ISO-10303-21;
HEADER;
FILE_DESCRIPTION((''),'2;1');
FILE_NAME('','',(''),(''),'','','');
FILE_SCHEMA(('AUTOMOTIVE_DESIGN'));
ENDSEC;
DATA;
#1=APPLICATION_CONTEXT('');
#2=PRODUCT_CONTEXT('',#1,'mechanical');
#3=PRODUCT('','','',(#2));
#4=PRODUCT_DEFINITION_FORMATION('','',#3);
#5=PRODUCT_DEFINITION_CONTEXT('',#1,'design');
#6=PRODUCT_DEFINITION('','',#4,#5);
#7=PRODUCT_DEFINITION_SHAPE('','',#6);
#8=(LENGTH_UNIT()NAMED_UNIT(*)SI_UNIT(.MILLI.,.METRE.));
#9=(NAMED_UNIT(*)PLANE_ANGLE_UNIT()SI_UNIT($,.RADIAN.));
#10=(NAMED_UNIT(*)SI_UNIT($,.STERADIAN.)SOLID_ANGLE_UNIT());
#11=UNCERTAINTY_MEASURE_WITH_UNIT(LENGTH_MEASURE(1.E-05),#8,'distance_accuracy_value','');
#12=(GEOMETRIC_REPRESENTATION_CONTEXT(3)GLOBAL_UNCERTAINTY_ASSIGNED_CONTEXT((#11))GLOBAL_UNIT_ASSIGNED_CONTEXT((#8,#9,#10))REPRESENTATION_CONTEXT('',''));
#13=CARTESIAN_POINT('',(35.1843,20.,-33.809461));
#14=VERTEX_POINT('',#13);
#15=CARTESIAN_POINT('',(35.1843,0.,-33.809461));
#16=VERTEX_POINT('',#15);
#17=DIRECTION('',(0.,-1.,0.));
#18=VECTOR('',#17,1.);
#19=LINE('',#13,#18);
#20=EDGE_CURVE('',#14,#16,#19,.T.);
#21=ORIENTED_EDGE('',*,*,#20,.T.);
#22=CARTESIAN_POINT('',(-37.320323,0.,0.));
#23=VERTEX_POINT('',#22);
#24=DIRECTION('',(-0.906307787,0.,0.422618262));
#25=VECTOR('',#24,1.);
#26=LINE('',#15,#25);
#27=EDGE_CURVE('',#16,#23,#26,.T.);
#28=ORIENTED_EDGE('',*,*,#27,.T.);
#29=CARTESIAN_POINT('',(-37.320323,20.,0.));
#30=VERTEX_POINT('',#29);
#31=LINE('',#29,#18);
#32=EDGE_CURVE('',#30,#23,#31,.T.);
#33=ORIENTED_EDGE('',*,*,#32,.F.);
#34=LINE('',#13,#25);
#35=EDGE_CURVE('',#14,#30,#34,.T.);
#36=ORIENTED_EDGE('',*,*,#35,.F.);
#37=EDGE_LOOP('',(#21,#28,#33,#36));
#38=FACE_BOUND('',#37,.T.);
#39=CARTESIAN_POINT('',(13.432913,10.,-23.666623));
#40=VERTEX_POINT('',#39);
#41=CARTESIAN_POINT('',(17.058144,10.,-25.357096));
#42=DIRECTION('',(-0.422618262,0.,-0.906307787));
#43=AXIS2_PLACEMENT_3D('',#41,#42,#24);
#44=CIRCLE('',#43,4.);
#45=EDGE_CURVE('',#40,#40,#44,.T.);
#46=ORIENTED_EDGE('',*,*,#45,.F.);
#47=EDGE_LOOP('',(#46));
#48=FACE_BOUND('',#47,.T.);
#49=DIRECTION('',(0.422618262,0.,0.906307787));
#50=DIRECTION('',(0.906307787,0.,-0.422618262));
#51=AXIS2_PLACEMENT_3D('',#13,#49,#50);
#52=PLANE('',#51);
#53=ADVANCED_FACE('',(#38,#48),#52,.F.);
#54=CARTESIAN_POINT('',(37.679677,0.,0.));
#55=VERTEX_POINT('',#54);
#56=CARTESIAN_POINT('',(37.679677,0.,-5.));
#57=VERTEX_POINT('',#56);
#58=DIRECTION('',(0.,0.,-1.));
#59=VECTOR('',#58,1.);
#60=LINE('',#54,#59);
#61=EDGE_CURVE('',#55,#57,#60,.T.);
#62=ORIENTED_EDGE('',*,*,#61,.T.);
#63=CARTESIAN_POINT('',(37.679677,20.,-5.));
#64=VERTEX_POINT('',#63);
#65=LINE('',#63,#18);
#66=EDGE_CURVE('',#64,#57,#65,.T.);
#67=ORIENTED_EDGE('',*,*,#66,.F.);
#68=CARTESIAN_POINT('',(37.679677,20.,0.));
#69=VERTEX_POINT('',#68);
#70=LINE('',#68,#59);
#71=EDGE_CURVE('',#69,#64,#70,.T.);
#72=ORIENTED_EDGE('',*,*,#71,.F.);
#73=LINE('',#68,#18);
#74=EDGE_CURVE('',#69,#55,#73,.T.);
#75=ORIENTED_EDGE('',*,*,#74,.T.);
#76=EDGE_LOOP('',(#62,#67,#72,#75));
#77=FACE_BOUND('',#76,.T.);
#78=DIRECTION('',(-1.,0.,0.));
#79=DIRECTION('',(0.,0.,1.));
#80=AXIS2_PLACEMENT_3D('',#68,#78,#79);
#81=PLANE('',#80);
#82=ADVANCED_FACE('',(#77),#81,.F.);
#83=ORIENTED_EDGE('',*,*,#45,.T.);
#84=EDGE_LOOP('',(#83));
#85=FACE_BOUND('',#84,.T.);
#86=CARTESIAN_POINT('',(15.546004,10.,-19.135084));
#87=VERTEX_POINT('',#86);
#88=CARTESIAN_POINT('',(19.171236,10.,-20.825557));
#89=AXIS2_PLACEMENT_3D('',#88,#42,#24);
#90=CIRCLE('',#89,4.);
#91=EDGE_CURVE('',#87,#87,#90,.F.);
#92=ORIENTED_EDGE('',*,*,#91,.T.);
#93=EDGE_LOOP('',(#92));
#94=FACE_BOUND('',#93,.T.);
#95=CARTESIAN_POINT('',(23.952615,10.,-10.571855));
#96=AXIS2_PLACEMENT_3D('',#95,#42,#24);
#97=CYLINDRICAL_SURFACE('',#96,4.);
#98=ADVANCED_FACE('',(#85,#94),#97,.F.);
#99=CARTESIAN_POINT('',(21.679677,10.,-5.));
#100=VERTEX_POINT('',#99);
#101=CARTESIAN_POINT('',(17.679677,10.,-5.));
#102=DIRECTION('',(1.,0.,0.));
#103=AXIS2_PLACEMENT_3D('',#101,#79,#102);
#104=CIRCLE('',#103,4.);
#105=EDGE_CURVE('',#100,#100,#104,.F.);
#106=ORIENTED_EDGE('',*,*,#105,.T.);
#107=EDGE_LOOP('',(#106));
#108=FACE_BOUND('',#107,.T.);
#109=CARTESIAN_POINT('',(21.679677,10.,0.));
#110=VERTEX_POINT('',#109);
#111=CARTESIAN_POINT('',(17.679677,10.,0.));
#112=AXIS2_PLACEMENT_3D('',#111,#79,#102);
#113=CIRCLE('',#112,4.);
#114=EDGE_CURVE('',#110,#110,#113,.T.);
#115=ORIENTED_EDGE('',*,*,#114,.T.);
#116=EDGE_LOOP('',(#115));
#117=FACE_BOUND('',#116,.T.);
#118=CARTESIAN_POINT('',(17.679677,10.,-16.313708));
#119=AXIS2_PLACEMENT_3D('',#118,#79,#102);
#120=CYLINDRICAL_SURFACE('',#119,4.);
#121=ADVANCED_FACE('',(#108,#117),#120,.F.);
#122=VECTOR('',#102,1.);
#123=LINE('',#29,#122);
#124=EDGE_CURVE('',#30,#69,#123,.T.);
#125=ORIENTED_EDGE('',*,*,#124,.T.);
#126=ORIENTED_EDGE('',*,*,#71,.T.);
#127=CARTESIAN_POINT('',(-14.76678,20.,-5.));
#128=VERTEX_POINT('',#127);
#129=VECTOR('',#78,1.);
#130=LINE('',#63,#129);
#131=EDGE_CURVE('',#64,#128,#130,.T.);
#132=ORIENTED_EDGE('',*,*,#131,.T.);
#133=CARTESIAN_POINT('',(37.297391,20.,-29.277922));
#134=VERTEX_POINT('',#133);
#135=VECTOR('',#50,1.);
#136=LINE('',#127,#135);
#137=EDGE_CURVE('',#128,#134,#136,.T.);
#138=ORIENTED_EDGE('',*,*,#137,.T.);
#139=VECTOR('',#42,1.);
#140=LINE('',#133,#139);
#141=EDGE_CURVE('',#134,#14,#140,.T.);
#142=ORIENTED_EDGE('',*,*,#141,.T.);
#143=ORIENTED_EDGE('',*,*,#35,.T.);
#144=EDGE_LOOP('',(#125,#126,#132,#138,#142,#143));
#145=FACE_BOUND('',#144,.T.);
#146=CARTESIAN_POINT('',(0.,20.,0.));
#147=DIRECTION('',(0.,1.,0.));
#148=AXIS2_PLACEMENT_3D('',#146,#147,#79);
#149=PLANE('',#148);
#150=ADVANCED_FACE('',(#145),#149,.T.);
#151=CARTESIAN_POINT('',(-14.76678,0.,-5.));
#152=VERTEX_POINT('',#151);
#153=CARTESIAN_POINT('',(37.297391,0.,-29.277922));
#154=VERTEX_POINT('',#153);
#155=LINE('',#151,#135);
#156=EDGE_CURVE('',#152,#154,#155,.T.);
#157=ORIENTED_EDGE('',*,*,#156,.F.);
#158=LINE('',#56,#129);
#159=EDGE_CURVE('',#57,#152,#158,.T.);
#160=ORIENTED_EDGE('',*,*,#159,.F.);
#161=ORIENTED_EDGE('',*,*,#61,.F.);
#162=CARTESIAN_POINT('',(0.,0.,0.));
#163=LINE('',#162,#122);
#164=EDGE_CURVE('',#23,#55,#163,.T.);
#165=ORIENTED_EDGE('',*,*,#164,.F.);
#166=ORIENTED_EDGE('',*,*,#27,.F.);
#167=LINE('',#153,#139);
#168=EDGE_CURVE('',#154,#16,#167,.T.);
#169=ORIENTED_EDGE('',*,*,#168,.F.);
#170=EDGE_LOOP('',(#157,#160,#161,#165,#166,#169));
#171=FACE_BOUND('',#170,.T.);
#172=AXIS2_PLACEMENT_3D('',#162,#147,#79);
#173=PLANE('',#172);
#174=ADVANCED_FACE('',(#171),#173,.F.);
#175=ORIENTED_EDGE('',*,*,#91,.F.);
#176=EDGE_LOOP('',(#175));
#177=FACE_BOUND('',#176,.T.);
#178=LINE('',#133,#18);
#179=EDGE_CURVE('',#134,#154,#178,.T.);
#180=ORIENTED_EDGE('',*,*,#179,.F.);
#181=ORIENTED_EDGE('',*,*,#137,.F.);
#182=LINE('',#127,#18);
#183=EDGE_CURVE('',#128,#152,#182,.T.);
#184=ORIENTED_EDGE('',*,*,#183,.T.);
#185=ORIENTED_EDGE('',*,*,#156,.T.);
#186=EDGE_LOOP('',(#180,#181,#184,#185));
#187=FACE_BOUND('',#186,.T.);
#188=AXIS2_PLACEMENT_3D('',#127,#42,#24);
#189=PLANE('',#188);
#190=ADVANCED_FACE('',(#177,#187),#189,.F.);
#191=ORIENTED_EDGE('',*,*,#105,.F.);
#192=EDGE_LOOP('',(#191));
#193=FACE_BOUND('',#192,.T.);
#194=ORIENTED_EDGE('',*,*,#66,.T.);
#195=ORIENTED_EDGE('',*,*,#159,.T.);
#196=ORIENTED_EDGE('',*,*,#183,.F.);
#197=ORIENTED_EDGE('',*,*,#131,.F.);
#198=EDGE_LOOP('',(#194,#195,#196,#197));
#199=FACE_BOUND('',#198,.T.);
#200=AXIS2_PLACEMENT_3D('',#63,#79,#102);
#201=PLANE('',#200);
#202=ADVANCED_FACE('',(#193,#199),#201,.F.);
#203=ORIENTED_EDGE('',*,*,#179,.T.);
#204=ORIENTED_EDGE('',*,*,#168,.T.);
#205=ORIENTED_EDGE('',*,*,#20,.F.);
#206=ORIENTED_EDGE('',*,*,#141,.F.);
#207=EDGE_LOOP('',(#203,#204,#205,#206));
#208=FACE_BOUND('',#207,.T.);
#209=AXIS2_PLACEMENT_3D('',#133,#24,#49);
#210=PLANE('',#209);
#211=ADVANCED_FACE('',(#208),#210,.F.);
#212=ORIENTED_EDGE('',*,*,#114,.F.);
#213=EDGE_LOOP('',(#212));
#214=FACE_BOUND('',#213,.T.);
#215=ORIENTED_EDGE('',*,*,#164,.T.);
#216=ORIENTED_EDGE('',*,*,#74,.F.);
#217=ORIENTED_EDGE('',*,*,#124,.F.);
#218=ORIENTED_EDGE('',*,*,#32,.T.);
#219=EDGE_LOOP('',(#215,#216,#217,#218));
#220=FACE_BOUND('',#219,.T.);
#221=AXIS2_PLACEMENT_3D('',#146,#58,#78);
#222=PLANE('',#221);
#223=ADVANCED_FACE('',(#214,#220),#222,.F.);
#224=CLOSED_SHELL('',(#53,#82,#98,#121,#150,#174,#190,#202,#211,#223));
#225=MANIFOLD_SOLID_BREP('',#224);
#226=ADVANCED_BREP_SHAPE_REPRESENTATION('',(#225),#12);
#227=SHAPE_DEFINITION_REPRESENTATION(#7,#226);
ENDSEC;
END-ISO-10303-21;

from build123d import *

# Parameters (mm, degrees)
BOSS_EXTRUDE1_DEPTH = 20
SKETCH2_R           = 4
CUT_EXTRUDE2_DEPTH  = 5
SKETCH3_R           = 4
CUT_EXTRUDE3_DEPTH  = 5


with BuildPart() as part:
    # Sketch1 → Boss-Extrude1 (new body)
    with BuildSketch(Plane(origin=(0, 0, 0), x_dir=(1, 0, 0), z_dir=(0, 1, 0))):
        Polygon((0, 0), (37.679677005, 0), (37.679677005, 5), (-14.766780477, 5), (37.297391276, 29.277922004), (35.184299968, 33.809460939), (-37.320322995, 0), align=None)
    extrude(amount=BOSS_EXTRUDE1_DEPTH)

    # Sketch2 → Cut-Extrude2 (cut)
    with BuildSketch(Plane(origin=(-6.665640892, 0, -14.294513023), x_dir=(-0.9063077870366526, 0, 0.42261826174069417), z_dir=(-0.42261826174069417, 0, -0.9063077870366526))):
        with Locations((-26.176300655, 10)):
            Circle(SKETCH2_R)
    extrude(amount=-CUT_EXTRUDE2_DEPTH, mode=Mode.SUBTRACT)

    # Sketch3 → Cut-Extrude3 (cut)
    with BuildSketch(Plane.XY):
        with Locations((17.679677005, 10)):
            Circle(SKETCH3_R)
    extrude(amount=-CUT_EXTRUDE3_DEPTH, mode=Mode.SUBTRACT)


solid = part.part
